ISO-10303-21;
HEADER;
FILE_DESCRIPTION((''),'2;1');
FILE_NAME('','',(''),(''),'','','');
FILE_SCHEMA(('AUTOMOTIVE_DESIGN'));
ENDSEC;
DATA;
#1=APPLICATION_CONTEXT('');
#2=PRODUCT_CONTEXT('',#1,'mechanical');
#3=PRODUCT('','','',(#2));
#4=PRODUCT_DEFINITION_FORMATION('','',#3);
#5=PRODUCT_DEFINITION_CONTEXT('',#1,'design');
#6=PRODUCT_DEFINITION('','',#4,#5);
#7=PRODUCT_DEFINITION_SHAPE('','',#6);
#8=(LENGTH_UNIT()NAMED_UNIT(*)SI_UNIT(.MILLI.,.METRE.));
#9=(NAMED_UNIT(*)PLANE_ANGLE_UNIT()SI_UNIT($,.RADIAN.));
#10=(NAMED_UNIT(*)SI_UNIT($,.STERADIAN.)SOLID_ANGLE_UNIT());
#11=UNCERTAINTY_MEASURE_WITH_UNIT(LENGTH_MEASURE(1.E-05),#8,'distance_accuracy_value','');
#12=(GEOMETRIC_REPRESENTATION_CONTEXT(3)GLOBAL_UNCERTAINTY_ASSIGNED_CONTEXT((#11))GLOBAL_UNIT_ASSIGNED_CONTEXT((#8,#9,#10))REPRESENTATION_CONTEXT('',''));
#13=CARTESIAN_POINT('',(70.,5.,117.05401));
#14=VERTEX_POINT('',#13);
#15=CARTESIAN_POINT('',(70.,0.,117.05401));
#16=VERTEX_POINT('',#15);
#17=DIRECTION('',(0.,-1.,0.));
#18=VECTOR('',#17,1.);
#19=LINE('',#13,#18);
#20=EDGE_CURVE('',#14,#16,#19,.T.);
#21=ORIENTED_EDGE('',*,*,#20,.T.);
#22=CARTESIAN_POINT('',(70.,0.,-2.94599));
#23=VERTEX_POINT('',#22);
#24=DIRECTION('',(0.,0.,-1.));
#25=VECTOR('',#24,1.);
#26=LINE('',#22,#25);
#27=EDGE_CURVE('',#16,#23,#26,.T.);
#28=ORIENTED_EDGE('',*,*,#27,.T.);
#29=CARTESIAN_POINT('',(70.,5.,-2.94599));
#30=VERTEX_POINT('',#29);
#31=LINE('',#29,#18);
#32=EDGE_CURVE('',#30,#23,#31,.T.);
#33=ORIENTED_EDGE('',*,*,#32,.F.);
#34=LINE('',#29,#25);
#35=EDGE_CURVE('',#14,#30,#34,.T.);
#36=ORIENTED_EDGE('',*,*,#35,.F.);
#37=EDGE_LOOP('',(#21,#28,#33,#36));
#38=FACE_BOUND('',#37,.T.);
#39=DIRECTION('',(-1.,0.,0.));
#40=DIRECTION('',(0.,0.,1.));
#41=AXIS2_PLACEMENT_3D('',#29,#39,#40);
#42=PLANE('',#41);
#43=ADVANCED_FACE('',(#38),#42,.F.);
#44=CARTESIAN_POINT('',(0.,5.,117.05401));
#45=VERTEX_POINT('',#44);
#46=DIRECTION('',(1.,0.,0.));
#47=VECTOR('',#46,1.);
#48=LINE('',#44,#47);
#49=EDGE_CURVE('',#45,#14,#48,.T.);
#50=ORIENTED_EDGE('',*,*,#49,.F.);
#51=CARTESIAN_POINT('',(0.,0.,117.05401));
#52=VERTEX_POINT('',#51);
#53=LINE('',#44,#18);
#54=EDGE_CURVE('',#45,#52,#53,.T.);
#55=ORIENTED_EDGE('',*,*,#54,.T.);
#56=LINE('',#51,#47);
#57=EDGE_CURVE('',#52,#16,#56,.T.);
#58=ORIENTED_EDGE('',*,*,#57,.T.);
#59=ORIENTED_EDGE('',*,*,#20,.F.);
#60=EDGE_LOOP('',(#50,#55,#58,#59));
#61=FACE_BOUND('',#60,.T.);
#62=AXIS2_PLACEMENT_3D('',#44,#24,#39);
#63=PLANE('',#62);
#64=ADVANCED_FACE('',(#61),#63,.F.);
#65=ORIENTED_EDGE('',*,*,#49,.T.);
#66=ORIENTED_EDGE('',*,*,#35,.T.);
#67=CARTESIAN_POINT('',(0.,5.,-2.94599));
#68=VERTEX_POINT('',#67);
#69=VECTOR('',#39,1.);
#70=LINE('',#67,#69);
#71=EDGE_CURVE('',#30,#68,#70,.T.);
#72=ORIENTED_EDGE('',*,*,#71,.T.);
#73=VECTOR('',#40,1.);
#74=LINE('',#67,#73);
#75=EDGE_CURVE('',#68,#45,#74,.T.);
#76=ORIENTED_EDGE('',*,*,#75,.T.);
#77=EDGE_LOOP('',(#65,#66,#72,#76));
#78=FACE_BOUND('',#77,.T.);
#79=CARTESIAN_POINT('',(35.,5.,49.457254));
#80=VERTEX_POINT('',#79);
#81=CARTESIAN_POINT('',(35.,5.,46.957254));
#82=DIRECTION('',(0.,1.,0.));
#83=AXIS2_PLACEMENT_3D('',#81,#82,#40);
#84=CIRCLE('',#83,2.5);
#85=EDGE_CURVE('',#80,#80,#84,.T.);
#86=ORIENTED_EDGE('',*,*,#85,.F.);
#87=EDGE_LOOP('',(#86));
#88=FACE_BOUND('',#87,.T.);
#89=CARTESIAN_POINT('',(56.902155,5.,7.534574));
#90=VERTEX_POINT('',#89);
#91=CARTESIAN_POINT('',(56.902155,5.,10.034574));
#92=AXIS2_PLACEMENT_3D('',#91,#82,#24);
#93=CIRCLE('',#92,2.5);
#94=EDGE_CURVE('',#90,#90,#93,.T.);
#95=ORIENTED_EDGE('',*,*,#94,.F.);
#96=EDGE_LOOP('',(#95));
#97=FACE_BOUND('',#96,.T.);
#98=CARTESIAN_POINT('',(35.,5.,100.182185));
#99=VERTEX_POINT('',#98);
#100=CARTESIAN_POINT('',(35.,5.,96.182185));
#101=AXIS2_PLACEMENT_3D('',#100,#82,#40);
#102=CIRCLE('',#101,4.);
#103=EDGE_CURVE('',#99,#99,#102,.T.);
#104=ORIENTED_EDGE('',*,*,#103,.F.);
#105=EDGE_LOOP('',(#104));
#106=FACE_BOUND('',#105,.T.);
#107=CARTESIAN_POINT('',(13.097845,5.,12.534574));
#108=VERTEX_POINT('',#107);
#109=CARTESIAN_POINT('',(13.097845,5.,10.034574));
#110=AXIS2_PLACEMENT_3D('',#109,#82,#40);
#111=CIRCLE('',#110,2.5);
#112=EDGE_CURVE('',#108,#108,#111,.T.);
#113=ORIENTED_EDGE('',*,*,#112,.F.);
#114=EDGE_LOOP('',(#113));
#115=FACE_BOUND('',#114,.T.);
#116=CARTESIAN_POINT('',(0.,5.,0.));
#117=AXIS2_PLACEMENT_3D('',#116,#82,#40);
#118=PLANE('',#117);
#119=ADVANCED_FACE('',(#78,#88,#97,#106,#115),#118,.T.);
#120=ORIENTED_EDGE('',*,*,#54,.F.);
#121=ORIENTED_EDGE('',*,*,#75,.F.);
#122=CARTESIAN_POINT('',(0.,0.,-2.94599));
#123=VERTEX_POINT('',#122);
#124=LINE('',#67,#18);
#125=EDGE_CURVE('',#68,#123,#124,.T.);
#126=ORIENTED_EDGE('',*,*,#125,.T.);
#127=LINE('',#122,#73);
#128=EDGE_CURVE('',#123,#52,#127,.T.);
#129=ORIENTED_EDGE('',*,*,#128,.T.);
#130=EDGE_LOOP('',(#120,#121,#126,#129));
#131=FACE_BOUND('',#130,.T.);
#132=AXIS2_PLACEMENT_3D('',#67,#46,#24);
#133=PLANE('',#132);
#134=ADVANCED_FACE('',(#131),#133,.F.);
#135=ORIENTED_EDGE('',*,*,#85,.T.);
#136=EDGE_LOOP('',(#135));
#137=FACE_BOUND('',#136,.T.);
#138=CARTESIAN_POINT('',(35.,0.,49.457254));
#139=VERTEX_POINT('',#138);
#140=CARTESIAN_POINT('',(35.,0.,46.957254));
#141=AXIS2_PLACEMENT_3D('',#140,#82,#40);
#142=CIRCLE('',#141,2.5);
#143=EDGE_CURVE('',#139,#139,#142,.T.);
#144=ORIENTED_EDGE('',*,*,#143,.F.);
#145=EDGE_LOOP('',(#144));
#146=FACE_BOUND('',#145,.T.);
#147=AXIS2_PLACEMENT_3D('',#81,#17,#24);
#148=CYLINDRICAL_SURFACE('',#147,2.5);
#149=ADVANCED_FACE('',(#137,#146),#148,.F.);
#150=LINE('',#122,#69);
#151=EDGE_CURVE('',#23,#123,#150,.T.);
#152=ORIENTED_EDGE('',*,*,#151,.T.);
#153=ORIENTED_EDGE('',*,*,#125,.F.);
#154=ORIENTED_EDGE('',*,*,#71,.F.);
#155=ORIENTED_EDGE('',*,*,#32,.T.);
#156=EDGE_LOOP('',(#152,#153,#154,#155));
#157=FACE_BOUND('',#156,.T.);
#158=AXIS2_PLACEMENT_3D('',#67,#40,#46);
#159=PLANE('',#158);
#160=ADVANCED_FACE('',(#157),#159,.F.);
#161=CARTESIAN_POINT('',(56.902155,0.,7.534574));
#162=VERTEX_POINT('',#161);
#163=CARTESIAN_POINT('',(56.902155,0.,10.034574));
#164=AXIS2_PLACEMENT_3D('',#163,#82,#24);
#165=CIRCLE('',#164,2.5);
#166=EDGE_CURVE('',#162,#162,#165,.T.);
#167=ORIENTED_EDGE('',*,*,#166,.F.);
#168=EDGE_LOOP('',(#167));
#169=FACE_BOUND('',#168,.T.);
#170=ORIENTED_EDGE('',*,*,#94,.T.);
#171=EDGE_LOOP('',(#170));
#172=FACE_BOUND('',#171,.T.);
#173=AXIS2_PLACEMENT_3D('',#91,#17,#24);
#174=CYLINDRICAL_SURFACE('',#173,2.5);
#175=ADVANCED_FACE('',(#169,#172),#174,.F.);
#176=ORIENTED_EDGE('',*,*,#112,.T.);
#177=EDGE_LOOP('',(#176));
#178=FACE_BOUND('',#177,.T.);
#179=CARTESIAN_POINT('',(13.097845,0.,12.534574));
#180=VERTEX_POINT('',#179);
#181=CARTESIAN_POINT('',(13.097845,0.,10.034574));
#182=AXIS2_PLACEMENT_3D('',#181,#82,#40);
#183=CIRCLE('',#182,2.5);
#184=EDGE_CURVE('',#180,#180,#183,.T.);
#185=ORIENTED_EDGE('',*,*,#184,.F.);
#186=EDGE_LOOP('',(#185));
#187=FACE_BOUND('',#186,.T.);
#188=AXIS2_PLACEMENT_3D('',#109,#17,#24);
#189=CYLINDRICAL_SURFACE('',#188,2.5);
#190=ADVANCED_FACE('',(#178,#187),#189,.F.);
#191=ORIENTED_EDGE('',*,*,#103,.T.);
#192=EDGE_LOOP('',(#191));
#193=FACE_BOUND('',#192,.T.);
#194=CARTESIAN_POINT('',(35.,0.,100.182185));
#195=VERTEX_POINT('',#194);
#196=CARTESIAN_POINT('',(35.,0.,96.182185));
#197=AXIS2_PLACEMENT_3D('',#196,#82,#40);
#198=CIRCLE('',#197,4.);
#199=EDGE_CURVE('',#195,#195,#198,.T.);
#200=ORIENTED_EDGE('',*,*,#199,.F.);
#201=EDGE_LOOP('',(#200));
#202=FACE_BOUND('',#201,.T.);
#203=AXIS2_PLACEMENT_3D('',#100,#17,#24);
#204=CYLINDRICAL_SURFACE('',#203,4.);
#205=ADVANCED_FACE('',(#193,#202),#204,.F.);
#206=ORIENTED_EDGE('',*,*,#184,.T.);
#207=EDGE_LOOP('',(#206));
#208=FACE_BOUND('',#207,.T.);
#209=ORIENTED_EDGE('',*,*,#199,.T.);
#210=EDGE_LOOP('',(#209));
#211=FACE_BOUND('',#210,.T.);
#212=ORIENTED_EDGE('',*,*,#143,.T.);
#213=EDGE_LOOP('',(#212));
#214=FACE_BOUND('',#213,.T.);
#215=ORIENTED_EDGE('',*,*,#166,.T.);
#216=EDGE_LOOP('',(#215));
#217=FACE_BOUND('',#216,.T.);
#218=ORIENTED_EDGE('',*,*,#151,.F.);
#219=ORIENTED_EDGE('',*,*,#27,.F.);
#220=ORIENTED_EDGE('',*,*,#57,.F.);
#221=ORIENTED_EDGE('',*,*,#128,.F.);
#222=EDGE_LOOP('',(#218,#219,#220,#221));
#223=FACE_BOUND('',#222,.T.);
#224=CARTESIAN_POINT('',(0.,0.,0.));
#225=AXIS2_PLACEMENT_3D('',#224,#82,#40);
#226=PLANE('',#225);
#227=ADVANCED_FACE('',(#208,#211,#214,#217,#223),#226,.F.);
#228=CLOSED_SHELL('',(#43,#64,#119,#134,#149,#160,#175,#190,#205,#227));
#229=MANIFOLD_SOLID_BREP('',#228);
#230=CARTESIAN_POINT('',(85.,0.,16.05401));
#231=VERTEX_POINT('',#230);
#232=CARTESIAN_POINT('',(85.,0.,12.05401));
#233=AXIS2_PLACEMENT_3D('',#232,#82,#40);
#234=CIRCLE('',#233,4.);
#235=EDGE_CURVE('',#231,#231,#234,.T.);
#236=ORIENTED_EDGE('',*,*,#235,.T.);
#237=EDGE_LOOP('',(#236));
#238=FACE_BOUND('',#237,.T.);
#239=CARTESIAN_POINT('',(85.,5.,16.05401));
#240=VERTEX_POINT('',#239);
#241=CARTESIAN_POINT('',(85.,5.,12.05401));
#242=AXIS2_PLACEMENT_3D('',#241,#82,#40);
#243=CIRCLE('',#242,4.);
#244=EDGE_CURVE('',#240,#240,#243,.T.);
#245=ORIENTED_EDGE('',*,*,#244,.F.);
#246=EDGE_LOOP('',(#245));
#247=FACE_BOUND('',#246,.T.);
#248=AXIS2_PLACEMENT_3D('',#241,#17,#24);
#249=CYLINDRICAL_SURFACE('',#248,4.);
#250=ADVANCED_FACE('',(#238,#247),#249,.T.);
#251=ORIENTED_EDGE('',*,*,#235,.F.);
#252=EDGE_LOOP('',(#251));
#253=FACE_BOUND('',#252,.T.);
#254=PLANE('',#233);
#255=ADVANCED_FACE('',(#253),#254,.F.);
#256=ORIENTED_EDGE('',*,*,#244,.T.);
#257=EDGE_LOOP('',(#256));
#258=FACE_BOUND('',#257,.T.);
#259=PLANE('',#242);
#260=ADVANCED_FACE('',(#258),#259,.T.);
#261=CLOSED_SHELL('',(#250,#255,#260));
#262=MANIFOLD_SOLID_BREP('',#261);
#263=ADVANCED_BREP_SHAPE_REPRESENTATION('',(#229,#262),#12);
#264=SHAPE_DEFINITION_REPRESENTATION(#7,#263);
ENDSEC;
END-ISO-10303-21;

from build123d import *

# Parameters (mm, degrees)
SKETCH1_R             = 4
BOSS_EXTRUDE1_DEPTH   = 5
SKETCH1_W             = 70
SKETCH1_H             = 120
SKETCH1_R_2           = 2.5
BOSS_EXTRUDE1_2_DEPTH = 5


with BuildPart() as part:
    # Sketch1 → Boss-Extrude1 (new body)
    with BuildSketch(Plane(origin=(0, 0, 0), x_dir=(1, 0, 0), z_dir=(0, 1, 0))):
        with Locations(Location((85, -12.05400982, 0), (0, 0, 270))):
            Circle(SKETCH1_R)
    extrude(amount=BOSS_EXTRUDE1_DEPTH)


with BuildPart() as body_2:
    # Sketch1 → Boss-Extrude1 2 (new body)
    with BuildSketch(Plane(origin=(0, 0, 0), x_dir=(1, 0, 0), z_dir=(0, 1, 0))):
        with Locations((35, -57.05400982)):
            Rectangle(SKETCH1_W, SKETCH1_H)
        with Locations(Location((13.097845213, -10.034574012, 0), (0, 0, 270))):
            Circle(SKETCH1_R_2, mode=Mode.SUBTRACT)
        with Locations(Location((56.902154787, -10.034574012, 0), (0, 0, 90))):
            Circle(SKETCH1_R_2, mode=Mode.SUBTRACT)
        with Locations(Location((35, -46.957253621, 0), (0, 0, 270))):
            Circle(SKETCH1_R_2, mode=Mode.SUBTRACT)
        with Locations(Location((35, -96.182185262, 0), (0, 0, 270))):
            Circle(SKETCH1_R, mode=Mode.SUBTRACT)
    extrude(amount=BOSS_EXTRUDE1_2_DEPTH)


solid = Compound([part.part, body_2.part])
